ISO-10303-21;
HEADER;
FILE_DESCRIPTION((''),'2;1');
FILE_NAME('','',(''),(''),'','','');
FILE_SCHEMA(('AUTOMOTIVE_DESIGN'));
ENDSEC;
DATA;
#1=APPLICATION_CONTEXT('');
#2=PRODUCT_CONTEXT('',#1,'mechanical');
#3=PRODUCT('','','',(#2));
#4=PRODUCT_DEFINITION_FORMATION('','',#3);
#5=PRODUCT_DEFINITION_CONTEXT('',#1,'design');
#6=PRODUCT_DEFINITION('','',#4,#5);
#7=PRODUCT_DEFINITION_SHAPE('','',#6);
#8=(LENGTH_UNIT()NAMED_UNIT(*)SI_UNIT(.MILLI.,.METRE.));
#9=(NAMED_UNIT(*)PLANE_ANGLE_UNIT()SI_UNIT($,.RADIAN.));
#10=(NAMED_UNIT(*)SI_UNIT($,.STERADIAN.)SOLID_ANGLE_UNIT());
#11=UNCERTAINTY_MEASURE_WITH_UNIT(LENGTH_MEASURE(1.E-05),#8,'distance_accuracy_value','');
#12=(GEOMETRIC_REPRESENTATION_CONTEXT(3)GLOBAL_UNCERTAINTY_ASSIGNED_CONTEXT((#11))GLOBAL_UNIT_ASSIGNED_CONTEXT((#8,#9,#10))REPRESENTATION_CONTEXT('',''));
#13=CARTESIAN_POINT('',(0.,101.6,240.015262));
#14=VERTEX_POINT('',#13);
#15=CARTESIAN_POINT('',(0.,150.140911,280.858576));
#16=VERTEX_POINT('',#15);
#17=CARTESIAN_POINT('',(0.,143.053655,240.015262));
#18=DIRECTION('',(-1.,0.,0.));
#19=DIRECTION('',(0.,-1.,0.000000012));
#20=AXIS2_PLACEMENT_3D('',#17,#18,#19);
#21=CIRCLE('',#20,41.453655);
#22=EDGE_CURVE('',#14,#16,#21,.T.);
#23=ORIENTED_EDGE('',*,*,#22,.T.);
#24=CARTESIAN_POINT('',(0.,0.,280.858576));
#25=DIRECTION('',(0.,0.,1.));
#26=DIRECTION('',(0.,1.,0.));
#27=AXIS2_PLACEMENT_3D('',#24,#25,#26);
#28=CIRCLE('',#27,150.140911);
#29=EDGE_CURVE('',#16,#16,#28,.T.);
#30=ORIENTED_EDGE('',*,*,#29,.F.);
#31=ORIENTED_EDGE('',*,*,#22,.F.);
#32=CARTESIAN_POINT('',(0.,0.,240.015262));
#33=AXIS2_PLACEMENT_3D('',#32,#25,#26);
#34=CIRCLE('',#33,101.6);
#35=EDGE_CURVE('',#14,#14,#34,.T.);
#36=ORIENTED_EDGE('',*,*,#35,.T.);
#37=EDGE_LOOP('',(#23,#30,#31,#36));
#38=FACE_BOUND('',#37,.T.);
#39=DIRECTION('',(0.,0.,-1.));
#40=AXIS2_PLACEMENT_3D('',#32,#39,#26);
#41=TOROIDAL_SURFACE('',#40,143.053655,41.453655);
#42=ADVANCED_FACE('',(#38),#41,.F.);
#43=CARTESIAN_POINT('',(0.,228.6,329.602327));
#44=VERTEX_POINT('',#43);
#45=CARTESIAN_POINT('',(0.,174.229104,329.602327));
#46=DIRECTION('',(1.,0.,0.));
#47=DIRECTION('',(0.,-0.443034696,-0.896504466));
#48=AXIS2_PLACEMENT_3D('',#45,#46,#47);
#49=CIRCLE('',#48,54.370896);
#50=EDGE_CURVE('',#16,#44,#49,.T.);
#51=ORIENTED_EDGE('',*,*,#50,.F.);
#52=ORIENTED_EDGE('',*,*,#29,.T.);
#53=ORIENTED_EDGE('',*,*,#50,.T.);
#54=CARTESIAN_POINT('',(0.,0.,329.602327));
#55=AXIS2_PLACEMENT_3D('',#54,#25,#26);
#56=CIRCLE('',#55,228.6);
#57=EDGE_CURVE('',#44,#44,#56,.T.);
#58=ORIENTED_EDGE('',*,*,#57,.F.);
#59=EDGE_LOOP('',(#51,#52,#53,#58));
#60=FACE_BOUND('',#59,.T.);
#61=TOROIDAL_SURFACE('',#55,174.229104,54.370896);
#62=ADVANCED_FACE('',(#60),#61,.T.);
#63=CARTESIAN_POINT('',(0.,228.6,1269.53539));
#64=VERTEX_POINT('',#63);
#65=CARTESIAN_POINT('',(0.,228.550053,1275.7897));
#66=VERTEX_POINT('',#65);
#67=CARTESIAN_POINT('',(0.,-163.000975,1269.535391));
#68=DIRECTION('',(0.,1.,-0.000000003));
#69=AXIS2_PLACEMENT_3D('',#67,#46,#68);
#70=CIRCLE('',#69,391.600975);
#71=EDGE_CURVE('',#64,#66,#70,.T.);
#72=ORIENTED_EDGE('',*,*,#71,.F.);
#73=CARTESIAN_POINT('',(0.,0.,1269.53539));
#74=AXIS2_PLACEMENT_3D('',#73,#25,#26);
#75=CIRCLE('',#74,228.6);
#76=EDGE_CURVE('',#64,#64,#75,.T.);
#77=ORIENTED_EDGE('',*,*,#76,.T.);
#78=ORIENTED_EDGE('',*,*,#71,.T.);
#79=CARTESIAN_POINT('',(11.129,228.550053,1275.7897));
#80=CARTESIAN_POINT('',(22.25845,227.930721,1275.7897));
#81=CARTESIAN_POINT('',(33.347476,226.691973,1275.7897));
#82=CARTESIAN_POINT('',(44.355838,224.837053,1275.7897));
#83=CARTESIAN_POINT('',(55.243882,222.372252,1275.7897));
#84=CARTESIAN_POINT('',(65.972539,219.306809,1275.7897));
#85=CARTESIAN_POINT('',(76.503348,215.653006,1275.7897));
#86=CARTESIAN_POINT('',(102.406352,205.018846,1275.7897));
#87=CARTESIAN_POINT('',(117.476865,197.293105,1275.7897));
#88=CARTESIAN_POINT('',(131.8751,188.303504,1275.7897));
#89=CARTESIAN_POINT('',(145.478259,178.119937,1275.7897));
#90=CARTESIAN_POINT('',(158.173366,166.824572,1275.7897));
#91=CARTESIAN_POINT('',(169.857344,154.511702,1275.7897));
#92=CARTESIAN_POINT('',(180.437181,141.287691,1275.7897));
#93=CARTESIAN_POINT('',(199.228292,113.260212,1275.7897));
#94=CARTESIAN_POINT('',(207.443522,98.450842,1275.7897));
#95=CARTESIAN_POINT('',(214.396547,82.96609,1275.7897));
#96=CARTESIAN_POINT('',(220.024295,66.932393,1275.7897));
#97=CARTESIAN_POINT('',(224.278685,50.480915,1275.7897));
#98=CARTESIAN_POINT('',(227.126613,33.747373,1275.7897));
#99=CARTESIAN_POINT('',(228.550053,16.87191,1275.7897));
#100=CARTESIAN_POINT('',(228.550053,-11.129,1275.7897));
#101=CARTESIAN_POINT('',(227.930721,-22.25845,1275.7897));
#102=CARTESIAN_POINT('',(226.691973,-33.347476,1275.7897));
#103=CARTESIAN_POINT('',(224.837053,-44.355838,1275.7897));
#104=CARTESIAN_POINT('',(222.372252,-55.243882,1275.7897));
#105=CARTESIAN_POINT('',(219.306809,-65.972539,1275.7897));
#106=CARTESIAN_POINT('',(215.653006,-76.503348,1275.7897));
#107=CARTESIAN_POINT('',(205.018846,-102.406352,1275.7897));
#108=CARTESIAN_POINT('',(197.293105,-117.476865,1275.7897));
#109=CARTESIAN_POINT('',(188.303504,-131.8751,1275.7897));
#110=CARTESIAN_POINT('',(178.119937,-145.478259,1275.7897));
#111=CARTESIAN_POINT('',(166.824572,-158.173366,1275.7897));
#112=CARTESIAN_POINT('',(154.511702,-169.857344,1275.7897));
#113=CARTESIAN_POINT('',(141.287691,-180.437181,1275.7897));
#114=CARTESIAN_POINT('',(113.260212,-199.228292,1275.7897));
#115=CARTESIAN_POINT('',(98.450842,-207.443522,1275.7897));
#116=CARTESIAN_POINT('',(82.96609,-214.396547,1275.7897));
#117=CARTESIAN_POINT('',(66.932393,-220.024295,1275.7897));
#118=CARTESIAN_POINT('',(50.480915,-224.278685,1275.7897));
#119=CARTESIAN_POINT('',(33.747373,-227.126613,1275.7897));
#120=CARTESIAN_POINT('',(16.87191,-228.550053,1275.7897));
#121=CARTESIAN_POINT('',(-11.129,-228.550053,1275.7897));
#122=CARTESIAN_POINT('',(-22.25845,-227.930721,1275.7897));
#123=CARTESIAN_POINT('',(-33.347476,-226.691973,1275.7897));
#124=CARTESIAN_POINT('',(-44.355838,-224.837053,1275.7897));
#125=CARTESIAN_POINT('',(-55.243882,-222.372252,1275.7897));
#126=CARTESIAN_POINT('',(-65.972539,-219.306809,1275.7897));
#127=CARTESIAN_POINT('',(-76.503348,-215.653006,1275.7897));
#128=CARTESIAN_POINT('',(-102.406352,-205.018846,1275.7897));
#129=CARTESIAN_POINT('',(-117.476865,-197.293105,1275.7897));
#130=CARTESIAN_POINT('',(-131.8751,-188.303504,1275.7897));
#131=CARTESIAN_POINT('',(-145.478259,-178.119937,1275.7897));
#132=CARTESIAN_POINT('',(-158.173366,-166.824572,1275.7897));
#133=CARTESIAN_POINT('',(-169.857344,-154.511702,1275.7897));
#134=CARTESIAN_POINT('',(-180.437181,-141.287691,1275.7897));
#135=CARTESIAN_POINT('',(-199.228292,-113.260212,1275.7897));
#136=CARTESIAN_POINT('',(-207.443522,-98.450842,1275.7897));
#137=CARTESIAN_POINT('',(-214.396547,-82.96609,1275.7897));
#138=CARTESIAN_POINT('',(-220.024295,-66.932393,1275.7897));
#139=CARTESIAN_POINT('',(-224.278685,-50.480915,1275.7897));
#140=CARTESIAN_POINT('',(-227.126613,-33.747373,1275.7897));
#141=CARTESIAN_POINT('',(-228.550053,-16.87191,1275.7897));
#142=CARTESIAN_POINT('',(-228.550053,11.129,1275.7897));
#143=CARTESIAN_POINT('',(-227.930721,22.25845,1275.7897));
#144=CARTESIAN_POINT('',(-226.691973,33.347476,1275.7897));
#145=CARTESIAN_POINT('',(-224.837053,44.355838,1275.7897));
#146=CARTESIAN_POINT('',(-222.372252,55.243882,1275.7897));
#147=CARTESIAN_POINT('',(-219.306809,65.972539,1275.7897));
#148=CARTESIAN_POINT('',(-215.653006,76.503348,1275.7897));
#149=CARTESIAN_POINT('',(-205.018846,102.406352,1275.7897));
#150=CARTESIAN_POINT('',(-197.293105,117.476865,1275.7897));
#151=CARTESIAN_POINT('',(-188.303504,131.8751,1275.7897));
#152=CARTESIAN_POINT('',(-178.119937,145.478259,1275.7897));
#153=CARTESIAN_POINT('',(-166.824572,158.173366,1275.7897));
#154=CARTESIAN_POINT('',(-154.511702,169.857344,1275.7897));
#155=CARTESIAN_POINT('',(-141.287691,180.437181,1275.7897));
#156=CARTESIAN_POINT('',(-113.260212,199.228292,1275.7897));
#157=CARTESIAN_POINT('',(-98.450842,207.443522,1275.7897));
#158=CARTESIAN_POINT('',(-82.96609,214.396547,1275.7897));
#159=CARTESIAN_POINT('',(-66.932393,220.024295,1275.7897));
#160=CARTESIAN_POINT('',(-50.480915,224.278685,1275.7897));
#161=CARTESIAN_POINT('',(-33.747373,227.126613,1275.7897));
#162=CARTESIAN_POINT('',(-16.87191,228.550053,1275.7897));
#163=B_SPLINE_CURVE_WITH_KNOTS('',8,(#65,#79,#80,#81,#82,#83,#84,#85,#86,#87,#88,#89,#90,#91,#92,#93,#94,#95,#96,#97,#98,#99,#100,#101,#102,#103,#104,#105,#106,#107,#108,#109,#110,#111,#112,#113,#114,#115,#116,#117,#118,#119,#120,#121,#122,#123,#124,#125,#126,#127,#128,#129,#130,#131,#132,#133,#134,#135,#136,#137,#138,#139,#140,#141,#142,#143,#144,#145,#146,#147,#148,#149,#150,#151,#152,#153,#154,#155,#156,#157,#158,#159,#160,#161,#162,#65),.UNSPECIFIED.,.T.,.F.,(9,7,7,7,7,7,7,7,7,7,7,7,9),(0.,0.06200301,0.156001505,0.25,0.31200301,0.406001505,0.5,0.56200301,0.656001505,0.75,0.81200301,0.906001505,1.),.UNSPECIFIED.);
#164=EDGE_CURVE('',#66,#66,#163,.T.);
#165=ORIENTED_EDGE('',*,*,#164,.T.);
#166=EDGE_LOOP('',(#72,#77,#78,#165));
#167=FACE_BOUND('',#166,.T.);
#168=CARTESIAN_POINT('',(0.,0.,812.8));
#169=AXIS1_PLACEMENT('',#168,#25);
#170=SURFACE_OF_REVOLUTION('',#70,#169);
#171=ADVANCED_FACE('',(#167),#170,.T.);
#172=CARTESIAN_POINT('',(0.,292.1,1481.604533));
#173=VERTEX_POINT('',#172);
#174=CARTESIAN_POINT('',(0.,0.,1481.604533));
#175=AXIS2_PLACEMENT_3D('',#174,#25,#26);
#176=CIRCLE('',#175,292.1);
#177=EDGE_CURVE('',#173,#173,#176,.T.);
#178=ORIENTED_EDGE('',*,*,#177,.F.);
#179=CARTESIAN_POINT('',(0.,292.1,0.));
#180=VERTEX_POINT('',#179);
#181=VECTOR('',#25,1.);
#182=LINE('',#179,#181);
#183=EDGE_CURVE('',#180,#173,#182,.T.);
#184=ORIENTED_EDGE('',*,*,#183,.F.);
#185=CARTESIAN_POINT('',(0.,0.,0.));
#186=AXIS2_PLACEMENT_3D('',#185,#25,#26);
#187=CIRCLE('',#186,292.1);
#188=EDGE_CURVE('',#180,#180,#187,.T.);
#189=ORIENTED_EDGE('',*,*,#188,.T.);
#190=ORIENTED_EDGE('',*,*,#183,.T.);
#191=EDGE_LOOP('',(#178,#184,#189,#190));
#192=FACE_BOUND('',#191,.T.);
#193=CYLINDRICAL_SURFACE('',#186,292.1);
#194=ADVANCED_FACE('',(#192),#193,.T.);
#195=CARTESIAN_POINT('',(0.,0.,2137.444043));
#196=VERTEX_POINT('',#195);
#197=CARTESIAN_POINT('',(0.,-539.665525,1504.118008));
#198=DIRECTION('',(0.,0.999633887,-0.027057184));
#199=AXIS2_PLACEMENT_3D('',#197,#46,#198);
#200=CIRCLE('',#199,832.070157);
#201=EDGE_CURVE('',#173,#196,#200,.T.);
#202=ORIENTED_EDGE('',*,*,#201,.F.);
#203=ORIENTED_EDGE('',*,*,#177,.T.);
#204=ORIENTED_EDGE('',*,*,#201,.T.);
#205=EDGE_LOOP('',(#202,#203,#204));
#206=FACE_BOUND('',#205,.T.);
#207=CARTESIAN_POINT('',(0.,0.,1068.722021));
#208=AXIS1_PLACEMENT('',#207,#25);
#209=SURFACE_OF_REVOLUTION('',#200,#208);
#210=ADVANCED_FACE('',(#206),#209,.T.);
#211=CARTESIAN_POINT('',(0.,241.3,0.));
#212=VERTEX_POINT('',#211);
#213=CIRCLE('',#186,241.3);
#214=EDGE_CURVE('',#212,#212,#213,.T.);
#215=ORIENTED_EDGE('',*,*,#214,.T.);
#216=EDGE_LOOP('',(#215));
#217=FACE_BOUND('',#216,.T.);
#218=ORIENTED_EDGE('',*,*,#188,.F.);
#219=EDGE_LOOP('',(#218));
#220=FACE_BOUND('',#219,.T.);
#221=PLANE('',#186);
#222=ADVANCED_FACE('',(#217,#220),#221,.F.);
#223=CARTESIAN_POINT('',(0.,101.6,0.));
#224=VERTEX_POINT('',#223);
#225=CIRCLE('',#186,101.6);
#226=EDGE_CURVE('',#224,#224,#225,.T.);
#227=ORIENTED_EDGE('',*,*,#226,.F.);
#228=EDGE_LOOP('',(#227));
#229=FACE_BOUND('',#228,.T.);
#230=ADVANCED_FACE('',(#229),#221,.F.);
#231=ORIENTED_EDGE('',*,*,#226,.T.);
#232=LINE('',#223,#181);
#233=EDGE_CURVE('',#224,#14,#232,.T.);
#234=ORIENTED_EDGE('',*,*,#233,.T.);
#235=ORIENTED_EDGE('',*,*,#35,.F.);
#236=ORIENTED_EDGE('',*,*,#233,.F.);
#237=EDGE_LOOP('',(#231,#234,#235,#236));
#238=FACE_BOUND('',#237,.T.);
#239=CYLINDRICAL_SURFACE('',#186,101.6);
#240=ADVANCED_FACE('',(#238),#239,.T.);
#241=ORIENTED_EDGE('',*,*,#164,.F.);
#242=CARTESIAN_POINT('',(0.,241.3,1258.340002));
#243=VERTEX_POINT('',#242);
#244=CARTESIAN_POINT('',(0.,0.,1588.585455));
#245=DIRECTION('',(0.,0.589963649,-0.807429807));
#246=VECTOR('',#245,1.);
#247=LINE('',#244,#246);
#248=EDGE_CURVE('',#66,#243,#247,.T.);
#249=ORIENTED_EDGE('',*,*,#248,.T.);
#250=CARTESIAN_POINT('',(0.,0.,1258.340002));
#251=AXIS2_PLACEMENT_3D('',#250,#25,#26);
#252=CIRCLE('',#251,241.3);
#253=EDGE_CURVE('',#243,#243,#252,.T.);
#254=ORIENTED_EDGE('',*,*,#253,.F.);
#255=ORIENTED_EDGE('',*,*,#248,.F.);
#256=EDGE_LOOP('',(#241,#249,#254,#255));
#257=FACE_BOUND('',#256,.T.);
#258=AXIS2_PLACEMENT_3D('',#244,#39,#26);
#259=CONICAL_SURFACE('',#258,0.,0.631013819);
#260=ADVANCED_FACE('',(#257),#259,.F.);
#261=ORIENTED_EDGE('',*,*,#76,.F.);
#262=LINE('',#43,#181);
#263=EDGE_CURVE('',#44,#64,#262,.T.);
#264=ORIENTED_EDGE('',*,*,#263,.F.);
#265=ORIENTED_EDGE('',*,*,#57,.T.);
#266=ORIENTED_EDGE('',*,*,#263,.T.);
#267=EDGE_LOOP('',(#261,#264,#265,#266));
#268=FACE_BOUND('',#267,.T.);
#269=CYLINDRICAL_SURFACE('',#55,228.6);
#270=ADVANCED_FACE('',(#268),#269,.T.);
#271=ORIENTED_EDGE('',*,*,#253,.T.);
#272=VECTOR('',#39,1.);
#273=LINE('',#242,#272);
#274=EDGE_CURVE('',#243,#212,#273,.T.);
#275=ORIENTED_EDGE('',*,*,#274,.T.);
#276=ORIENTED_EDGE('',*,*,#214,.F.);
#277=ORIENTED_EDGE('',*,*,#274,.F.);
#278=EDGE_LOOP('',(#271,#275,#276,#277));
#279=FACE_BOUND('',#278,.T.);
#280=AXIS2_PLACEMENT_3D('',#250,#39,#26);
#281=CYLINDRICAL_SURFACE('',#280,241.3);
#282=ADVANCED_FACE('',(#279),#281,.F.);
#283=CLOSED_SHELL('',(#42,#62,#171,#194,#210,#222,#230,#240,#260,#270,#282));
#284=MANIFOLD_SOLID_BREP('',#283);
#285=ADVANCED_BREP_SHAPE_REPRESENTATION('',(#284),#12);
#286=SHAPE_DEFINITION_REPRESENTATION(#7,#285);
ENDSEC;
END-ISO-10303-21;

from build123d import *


with BuildPart() as f1:
    # F0 (on Right) → F1 (revolve)
    with BuildSketch(Plane.YZ):
        with BuildLine():
            Line((0, 1625.6), (0, 0))
            Line((0, 0), (101.6, 0))
            Line((101.6, 0), (101.6, 240.015262))
            ThreePointArc((101.6, 240.015262), (116.364586, 271.734327), (150.140911, 280.858576))
            ThreePointArc((150.140911, 280.858576), (202.921417, 283.418504), (228.6, 329.602327))
            Line((228.6, 329.602327), (228.6, 1269.53539))
            ThreePointArc((228.6, 1269.53539), (166.531015, 1481.100963), (0, 1625.6))
        make_face()
    revolve(axis=Axis((0, 0, 812.8), (0, 0, 1)))

    # F2 (on Right) → F3 (revolve)
    with BuildSketch(Plane.YZ):
        with BuildLine():
            Line((0, 2137.444043), (0, 1588.585455))
            Line((0, 1588.585455), (241.3, 1258.340002))
            Line((241.3, 1258.340002), (241.3, 0))
            Line((241.3, 0), (292.1, 0))
            Line((292.1, 0), (292.1, 1481.604533))
            ThreePointArc((292.1, 1481.604533), (220.424698, 1842.64954), (0, 2137.444043))
        make_face()
    revolve(axis=Axis((0, 0, 1068.722021), (0, 0, 1)))


solid = f1.part
